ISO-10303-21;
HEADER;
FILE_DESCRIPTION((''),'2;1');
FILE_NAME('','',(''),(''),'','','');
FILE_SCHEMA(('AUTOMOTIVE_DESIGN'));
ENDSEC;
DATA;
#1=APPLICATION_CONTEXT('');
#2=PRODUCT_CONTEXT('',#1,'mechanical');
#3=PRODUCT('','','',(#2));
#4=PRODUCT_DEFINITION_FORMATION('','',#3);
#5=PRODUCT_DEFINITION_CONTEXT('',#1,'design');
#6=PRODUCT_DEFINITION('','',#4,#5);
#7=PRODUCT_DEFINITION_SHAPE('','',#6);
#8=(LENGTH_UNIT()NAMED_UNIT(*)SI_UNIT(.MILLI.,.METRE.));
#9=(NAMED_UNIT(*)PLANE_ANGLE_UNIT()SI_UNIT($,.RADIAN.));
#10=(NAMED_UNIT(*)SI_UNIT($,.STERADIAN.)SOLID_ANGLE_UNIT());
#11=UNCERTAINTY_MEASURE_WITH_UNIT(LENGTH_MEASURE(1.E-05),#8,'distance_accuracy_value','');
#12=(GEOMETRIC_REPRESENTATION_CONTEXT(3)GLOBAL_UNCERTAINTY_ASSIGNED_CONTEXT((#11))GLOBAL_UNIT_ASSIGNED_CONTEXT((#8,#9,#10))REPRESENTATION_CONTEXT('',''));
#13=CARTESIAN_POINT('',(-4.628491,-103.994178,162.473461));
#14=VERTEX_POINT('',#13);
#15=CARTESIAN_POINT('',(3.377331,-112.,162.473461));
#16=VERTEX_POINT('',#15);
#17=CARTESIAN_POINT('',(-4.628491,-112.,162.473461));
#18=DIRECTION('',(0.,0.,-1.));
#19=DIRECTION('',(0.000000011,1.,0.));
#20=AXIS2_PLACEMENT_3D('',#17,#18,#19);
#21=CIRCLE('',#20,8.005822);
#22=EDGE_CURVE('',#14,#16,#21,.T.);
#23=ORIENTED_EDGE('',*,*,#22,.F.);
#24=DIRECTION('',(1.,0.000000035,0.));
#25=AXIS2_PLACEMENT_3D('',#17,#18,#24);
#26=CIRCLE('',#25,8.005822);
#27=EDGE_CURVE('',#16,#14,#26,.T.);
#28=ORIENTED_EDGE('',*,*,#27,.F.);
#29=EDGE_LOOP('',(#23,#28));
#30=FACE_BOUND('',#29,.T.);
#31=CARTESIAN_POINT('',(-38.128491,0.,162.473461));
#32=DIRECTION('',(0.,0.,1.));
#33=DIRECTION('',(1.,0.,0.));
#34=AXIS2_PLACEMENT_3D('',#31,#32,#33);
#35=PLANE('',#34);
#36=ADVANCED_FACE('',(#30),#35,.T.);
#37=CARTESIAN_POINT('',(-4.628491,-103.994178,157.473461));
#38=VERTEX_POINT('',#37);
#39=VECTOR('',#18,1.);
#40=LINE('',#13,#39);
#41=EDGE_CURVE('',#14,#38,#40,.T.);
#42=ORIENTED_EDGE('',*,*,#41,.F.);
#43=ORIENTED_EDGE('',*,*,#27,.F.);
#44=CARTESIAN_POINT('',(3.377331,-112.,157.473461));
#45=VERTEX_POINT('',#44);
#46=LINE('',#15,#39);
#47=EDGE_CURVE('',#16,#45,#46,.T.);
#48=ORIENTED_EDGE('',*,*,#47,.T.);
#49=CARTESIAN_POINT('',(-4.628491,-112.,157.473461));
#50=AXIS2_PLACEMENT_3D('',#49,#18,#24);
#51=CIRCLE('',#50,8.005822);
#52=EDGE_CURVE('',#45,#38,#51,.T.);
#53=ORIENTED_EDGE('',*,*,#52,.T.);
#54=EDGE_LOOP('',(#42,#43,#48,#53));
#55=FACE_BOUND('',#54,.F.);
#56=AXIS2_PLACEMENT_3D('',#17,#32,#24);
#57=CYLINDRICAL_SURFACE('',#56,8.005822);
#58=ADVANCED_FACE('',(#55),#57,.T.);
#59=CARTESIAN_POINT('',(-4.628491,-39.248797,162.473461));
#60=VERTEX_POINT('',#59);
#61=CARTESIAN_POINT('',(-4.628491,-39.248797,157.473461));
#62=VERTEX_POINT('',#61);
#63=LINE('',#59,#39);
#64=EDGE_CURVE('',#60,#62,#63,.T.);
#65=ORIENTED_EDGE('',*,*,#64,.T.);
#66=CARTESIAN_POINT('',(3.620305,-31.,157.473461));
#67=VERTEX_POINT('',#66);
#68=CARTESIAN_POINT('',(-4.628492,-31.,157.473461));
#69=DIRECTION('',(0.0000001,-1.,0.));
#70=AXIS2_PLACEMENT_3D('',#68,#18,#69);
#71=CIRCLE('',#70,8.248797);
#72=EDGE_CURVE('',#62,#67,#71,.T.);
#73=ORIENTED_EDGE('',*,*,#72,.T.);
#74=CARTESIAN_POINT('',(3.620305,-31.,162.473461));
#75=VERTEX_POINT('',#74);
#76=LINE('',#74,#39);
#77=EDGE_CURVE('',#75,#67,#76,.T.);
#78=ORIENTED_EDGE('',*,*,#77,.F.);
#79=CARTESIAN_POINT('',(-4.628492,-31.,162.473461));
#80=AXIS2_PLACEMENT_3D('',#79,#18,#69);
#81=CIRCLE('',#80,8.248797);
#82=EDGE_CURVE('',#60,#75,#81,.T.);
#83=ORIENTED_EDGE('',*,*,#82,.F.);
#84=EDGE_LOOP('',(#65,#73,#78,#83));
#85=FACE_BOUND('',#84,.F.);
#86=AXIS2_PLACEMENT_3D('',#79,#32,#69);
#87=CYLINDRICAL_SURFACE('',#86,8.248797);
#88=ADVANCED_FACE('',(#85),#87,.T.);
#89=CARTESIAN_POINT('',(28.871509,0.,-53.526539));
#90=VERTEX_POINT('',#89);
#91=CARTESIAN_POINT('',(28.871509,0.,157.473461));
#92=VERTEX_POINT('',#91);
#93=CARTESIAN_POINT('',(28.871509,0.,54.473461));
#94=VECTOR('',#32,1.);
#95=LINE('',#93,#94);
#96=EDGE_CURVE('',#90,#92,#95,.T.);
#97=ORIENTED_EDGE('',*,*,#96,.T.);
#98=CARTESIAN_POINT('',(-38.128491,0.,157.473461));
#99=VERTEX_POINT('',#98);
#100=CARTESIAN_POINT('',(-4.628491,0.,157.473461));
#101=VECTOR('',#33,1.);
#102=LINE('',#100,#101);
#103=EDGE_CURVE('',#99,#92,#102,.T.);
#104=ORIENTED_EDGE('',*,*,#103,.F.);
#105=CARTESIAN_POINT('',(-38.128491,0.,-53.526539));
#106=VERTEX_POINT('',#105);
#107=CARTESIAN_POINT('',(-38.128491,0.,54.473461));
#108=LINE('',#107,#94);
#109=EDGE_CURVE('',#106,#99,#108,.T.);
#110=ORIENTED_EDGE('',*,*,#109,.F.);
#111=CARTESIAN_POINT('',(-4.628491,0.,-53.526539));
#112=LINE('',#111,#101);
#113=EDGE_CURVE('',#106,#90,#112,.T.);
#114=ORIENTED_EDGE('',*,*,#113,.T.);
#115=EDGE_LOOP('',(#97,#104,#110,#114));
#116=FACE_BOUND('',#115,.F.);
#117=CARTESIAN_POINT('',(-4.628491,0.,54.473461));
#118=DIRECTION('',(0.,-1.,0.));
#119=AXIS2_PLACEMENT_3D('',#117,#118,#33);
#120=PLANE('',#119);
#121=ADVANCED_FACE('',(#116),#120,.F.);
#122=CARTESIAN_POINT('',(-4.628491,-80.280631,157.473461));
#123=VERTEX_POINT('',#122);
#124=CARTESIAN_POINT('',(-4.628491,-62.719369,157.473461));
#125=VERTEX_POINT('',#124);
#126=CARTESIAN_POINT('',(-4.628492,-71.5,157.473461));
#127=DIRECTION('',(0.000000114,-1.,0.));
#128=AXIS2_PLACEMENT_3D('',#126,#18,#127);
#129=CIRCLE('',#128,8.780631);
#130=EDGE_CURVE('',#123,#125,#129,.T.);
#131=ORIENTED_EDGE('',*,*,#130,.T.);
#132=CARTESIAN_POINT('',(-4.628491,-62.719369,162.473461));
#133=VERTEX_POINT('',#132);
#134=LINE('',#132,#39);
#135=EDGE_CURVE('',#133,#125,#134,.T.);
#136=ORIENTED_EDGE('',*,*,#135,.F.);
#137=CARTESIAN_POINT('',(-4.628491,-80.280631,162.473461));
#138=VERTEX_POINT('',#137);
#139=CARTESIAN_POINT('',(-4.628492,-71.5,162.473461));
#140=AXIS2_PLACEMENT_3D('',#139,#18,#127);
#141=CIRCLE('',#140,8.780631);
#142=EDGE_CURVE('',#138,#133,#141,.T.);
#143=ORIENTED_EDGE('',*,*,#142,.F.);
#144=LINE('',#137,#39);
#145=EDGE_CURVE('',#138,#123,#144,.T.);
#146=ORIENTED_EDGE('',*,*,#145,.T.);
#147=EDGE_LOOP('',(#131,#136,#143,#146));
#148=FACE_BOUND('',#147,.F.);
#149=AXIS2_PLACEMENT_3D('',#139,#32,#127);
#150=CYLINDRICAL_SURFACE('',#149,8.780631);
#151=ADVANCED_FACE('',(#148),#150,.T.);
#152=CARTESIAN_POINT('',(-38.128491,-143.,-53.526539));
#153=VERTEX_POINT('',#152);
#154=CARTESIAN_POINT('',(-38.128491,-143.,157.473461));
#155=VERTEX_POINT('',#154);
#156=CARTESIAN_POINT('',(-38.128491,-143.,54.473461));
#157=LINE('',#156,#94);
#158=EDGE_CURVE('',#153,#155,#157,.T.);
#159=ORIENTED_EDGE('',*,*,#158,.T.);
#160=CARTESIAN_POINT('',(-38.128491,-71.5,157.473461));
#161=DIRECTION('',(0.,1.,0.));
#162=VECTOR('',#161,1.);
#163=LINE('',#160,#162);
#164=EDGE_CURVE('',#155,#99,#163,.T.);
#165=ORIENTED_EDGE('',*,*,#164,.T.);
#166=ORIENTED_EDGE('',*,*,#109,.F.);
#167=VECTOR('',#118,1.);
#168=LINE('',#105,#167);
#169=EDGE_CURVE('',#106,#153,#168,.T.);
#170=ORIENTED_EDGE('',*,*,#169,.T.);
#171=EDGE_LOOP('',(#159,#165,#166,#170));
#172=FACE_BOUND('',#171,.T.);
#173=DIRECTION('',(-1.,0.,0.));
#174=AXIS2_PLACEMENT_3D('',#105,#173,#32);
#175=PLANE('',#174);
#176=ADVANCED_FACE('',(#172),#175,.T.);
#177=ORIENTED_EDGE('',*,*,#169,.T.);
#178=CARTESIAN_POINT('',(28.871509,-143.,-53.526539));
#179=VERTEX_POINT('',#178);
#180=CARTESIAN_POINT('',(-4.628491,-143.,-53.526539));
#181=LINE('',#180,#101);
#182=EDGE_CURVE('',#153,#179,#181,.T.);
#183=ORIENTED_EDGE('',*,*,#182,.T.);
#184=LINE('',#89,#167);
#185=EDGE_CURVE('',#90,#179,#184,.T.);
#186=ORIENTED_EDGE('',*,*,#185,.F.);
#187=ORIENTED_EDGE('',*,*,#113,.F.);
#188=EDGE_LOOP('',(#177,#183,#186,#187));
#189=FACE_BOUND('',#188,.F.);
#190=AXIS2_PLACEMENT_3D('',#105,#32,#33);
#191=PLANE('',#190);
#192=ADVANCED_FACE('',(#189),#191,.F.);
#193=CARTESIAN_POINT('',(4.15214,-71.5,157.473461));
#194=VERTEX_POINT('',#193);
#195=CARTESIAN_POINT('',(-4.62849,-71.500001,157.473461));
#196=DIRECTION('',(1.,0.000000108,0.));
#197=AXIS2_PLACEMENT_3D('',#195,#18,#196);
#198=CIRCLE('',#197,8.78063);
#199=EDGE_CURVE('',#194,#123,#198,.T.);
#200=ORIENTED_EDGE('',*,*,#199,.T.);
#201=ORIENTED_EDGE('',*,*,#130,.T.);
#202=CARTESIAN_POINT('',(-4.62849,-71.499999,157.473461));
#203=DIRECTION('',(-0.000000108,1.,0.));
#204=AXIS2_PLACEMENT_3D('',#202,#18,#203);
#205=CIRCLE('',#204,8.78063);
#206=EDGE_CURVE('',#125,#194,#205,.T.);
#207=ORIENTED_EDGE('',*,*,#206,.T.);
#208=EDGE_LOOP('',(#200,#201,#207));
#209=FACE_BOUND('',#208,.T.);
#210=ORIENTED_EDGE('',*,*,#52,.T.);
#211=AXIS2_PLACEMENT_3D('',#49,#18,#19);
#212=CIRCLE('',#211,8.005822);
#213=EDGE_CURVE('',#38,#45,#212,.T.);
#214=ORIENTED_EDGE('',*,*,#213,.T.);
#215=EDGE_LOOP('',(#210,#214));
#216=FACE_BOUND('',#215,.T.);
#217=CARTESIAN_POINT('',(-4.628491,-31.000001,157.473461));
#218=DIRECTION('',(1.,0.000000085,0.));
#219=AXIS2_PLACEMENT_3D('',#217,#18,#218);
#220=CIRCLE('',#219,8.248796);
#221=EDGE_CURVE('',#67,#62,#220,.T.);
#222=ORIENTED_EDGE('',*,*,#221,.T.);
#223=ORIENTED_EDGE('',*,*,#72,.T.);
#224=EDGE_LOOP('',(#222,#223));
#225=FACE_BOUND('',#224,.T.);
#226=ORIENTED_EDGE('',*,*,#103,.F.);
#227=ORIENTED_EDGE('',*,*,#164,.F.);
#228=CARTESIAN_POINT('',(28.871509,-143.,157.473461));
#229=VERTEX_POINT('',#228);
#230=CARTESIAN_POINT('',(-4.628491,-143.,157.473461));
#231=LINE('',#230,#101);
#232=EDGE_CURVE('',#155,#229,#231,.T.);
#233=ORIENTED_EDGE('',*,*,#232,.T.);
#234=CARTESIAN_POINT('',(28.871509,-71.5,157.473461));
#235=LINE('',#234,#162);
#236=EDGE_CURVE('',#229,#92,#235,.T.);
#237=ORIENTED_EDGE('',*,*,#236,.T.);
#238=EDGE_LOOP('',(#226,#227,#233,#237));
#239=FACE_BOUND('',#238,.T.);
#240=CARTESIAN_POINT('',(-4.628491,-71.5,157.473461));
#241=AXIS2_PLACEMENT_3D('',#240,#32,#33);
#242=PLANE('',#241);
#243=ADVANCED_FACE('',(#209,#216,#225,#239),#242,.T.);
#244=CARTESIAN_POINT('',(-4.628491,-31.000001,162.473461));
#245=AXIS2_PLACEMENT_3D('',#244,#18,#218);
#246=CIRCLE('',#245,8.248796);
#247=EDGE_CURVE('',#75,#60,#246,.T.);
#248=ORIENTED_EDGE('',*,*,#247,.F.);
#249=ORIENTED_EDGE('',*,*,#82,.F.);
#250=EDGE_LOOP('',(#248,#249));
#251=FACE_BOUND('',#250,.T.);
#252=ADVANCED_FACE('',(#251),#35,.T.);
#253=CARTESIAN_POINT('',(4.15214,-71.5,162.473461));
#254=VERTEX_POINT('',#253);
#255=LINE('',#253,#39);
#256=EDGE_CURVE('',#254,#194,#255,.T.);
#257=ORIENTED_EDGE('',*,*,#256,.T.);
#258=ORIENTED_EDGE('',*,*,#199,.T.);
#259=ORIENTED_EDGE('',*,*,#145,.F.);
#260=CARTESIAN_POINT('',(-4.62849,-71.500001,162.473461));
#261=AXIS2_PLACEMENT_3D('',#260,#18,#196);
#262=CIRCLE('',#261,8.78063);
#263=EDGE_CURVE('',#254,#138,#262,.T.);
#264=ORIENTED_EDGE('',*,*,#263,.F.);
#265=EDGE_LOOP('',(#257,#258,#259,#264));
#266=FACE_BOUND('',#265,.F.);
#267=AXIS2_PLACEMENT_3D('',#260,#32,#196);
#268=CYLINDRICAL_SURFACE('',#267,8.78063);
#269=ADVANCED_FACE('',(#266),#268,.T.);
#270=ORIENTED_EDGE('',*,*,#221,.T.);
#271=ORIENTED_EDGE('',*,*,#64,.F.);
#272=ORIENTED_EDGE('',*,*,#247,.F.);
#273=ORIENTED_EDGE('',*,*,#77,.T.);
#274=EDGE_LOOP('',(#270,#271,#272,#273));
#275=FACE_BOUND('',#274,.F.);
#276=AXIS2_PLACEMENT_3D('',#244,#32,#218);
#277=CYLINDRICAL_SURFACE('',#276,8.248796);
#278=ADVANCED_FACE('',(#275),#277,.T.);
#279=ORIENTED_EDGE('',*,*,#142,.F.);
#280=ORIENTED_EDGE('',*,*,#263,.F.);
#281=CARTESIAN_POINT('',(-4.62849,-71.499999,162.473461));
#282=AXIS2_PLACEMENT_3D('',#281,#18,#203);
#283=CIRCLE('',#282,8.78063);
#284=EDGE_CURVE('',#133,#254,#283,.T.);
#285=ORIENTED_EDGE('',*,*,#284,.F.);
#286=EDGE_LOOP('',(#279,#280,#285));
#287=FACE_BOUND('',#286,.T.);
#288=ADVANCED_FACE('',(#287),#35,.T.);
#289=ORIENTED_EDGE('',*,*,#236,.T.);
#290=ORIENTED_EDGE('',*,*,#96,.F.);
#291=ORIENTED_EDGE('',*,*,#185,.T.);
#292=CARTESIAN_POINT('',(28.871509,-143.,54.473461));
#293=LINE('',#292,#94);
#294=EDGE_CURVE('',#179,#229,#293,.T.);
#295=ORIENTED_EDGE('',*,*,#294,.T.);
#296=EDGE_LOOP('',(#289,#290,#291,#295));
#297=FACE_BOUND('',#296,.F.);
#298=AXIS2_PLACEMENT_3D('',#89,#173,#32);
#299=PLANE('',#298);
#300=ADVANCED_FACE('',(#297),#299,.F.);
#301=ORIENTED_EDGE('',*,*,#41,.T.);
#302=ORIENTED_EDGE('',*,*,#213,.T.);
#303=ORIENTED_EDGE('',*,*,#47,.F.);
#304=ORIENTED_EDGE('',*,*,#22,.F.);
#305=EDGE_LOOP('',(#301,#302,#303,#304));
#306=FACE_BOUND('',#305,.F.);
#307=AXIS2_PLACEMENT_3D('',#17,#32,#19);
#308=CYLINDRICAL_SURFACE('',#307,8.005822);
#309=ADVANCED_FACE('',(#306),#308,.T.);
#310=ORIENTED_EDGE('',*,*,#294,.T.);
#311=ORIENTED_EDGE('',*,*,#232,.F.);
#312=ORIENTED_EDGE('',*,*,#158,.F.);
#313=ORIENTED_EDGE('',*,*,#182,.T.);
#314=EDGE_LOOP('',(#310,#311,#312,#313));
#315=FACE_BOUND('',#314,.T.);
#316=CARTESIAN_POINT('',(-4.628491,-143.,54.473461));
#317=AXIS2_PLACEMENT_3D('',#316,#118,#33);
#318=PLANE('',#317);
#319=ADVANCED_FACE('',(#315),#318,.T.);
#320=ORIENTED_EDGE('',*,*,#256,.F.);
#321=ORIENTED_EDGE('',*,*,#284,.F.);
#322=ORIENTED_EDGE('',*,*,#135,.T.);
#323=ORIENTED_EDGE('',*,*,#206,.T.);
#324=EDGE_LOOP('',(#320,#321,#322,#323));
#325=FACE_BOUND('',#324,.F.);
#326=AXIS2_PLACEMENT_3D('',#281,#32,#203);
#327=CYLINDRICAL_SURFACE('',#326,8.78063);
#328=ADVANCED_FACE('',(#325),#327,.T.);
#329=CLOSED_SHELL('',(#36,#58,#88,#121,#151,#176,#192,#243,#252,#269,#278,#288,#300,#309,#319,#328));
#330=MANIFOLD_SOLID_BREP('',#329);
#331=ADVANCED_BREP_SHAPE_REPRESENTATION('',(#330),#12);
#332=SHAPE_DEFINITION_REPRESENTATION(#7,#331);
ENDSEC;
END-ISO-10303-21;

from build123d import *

# Parameters (mm, degrees)
F0_W     = 67
F0_H     = 216
F1_DEPTH = 143
F2_W     = 67
F2_H     = 143
F3_DEPTH = 5


with BuildPart() as f1:
    # F0 (on Front) → F1 (new body)
    with BuildSketch(Plane.XZ):
        with Locations((-4.628491, 54.473461)):
            Rectangle(F0_W, F0_H)
    extrude(amount=F1_DEPTH)

    # F2 (on face) → F3 (cut)
    with BuildSketch(Plane.XY.offset(162.473461)):
        with Locations((-4.628491, -71.5)):
            Rectangle(F2_W, F2_H)
        with BuildLine():
            ThreePointArc((3.377331, -112), (-10.289463, -117.660971), (-4.628491, -103.994178))
            ThreePointArc((-4.628491, -103.994178), (1.03248, -106.339029), (3.377331, -112))
        make_face(mode=Mode.SUBTRACT)
        with BuildLine():
            ThreePointArc((-4.628491, -80.280631), (-13.409123, -71.5), (-4.628491, -62.719369))
            ThreePointArc((-4.628491, -62.719369), (1.580353, -65.291156), (4.15214, -71.5))
            ThreePointArc((4.15214, -71.5), (1.580353, -77.708844), (-4.628491, -80.280631))
        make_face(mode=Mode.SUBTRACT)
        with BuildLine():
            ThreePointArc((3.620305, -31), (1.204289, -36.83278), (-4.628491, -39.248797))
            ThreePointArc((-4.628491, -39.248797), (-10.461272, -25.16722), (3.620305, -31))
        make_face(mode=Mode.SUBTRACT)
    extrude(amount=-F3_DEPTH, mode=Mode.SUBTRACT)


solid = f1.part
